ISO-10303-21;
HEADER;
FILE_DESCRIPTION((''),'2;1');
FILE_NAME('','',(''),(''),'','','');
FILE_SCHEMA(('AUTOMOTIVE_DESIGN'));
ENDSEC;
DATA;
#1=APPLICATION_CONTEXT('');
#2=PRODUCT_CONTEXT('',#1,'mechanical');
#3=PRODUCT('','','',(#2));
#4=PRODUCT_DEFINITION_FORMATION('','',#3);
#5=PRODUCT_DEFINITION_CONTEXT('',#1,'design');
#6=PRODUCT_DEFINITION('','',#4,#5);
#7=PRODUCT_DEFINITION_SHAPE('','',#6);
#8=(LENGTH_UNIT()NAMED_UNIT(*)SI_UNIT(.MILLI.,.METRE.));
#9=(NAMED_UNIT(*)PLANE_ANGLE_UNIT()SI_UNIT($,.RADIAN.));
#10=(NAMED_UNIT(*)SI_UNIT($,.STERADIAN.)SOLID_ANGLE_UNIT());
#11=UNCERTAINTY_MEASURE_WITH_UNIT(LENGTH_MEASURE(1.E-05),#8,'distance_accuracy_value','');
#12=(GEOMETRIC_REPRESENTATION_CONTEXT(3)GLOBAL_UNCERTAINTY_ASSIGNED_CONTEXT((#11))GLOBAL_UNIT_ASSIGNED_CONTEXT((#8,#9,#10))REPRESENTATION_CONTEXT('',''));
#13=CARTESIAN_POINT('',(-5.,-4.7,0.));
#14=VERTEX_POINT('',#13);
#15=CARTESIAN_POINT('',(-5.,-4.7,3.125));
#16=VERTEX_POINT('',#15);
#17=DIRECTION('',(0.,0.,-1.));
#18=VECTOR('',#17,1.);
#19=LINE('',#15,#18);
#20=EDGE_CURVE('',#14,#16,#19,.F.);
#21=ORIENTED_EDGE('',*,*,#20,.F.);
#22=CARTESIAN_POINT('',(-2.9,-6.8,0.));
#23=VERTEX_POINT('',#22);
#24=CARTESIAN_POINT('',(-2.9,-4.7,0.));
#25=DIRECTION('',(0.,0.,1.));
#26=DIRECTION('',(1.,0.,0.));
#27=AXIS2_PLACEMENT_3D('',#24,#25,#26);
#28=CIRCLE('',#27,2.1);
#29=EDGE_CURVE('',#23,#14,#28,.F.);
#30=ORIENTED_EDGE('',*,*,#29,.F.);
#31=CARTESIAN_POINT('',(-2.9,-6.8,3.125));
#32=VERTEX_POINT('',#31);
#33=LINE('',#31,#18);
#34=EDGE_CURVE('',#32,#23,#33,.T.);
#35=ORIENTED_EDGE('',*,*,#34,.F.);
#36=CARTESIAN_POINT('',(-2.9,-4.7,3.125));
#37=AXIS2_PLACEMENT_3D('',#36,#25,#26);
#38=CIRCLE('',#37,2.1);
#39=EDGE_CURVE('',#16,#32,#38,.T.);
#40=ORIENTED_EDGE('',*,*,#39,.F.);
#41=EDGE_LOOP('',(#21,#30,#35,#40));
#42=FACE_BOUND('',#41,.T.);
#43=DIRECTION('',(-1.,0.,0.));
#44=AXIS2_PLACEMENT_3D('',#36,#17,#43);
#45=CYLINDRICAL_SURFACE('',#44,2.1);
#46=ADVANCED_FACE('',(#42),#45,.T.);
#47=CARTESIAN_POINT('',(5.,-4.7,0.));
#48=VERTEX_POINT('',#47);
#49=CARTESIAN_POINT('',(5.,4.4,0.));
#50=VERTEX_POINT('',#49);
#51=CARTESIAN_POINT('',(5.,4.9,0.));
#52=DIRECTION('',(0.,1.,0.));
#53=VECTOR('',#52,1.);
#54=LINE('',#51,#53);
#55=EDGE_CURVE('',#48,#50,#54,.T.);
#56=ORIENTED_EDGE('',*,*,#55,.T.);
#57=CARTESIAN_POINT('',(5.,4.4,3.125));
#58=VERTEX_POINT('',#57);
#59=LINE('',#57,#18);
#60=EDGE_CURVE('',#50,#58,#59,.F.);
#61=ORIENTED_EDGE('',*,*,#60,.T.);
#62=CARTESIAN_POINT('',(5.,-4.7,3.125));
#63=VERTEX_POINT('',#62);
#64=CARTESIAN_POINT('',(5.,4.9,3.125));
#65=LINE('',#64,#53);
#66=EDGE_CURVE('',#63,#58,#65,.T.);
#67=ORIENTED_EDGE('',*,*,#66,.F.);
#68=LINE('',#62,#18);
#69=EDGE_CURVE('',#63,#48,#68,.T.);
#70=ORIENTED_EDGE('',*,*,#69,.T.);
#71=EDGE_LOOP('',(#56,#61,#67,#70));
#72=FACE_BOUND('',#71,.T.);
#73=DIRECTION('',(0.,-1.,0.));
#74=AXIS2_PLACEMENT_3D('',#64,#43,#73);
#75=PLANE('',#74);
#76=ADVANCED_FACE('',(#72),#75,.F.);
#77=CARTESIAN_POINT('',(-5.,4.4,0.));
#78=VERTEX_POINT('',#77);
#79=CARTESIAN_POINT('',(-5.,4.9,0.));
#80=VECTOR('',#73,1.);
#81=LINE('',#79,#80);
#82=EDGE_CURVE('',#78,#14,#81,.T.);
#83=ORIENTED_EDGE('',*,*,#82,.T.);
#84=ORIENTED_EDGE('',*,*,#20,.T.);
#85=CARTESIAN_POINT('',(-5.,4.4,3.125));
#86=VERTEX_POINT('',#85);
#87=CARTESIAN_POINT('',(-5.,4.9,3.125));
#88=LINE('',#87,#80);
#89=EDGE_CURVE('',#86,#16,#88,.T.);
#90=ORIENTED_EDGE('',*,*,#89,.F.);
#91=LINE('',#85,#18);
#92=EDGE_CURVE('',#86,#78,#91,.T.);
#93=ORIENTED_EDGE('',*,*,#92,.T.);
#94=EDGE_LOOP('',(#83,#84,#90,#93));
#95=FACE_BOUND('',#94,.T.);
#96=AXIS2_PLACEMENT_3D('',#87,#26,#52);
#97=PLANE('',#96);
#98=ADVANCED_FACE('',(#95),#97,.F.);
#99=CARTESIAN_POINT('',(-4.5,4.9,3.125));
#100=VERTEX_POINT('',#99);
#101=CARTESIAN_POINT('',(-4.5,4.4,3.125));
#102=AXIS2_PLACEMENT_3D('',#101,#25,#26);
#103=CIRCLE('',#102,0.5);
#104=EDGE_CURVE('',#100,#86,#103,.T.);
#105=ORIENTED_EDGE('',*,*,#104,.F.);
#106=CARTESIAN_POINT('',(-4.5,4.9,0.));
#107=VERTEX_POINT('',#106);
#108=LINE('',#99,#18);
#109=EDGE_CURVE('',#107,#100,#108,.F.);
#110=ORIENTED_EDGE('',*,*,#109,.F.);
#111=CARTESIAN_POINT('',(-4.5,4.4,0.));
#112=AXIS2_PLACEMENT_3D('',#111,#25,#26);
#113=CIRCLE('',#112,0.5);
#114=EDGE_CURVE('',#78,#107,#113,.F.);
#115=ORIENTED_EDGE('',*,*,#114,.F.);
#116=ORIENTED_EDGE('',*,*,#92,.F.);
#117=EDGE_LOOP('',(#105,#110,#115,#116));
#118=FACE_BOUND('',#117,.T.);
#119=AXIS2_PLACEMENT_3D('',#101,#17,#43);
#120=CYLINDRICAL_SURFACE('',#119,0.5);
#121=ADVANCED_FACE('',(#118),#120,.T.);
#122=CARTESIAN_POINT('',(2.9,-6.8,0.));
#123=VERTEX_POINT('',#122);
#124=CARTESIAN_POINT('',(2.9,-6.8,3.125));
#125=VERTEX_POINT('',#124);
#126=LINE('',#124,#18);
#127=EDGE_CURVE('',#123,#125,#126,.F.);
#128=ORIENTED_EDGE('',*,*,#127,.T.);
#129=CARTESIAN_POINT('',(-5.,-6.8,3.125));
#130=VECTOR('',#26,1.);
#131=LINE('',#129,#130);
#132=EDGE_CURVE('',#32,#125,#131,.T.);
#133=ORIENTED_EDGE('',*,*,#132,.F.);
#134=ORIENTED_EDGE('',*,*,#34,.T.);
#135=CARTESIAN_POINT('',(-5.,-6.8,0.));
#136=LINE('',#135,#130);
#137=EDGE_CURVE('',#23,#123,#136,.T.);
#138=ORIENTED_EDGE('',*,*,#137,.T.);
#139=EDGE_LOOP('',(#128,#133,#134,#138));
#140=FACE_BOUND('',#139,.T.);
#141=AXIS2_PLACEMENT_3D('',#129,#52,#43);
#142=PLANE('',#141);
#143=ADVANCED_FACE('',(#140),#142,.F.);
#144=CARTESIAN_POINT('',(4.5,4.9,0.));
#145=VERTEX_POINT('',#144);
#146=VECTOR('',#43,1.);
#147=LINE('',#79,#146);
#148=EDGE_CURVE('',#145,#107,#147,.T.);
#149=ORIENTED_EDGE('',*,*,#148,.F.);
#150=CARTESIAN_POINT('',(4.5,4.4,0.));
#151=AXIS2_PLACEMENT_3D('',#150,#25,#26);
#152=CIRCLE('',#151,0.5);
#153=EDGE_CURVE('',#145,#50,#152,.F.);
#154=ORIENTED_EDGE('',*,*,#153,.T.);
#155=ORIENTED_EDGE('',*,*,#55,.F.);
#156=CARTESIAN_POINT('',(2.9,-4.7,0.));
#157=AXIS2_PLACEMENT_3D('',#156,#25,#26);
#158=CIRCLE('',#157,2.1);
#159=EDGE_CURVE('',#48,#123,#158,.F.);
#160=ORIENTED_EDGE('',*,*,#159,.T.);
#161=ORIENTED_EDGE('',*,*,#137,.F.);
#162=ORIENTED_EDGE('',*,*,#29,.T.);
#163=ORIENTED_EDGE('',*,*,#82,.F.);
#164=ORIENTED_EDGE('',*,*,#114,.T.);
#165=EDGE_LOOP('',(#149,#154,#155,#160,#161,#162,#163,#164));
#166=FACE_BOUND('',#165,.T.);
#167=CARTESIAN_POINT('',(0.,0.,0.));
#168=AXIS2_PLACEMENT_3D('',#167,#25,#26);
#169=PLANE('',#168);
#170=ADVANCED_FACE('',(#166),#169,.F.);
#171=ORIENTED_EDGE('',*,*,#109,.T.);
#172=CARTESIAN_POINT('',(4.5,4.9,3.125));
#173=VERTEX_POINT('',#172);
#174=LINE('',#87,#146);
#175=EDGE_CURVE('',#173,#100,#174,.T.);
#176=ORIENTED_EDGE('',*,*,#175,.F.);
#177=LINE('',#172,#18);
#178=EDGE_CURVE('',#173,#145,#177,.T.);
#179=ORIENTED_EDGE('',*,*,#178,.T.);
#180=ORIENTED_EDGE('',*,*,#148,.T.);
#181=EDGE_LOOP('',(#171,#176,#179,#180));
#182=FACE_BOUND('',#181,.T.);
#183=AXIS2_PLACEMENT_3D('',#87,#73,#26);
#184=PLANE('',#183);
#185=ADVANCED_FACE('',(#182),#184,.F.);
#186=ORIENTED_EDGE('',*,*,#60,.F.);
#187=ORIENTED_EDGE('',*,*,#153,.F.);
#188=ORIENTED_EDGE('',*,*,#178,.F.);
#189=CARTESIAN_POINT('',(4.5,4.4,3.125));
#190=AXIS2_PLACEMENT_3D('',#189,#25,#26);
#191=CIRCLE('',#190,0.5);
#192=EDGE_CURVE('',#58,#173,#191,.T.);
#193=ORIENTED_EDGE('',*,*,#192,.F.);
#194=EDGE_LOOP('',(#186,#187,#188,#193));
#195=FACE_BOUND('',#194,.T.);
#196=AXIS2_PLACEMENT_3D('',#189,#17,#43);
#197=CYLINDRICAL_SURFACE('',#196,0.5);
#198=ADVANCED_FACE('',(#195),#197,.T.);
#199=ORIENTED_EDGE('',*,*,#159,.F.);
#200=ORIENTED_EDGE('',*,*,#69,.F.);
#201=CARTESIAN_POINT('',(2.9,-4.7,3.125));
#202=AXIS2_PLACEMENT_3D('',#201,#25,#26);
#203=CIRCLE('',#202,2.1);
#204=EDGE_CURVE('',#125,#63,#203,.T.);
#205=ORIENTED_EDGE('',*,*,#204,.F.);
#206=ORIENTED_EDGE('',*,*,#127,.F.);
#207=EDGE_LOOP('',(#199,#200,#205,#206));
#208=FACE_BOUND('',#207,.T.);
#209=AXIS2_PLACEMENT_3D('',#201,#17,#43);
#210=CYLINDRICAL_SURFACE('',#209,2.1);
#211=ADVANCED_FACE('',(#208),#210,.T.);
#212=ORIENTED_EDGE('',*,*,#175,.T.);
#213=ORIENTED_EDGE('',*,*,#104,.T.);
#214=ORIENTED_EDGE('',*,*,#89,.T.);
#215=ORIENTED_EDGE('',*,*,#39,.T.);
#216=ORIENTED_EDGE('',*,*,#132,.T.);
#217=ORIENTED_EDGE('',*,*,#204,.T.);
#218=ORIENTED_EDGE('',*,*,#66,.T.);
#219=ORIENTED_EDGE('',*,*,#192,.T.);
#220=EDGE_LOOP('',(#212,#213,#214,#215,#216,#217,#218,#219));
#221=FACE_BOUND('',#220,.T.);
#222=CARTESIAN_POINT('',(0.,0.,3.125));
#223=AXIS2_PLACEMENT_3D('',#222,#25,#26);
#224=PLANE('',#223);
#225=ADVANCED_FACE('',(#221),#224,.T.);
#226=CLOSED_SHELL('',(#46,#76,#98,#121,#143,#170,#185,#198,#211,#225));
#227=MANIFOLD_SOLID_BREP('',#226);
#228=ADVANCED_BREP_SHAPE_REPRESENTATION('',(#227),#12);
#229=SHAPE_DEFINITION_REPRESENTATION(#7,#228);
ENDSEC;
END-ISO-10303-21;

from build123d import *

# Parameters (mm, degrees)
SKETCH1_W           = 10
SKETCH1_H           = 11.7
BOSS_EXTRUDE1_DEPTH = 3.125
FILLET1_R           = 2.1
FILLET2_R           = 0.5


with BuildPart() as part:
    # Sketch1 → Boss-Extrude1 (new body)
    with BuildSketch(Plane.XY):
        with Locations((0, -0.95)):
            Rectangle(SKETCH1_W, SKETCH1_H)
    extrude(amount=BOSS_EXTRUDE1_DEPTH)

    # Fillet1
    fillet1_edges = [part.edges().sort_by_distance(p)[0] for p in [
        (5, -6.8, 1.5625),
        (-5, -6.8, 1.5625),
    ]]
    fillet(fillet1_edges, radius=FILLET1_R)

    # Fillet2
    fillet2_edges = [part.edges().sort_by_distance(p)[0] for p in [
        (-5, 4.9, 1.5625),
        (5, 4.9, 1.5625),
    ]]
    fillet(fillet2_edges, radius=FILLET2_R)


solid = part.part
